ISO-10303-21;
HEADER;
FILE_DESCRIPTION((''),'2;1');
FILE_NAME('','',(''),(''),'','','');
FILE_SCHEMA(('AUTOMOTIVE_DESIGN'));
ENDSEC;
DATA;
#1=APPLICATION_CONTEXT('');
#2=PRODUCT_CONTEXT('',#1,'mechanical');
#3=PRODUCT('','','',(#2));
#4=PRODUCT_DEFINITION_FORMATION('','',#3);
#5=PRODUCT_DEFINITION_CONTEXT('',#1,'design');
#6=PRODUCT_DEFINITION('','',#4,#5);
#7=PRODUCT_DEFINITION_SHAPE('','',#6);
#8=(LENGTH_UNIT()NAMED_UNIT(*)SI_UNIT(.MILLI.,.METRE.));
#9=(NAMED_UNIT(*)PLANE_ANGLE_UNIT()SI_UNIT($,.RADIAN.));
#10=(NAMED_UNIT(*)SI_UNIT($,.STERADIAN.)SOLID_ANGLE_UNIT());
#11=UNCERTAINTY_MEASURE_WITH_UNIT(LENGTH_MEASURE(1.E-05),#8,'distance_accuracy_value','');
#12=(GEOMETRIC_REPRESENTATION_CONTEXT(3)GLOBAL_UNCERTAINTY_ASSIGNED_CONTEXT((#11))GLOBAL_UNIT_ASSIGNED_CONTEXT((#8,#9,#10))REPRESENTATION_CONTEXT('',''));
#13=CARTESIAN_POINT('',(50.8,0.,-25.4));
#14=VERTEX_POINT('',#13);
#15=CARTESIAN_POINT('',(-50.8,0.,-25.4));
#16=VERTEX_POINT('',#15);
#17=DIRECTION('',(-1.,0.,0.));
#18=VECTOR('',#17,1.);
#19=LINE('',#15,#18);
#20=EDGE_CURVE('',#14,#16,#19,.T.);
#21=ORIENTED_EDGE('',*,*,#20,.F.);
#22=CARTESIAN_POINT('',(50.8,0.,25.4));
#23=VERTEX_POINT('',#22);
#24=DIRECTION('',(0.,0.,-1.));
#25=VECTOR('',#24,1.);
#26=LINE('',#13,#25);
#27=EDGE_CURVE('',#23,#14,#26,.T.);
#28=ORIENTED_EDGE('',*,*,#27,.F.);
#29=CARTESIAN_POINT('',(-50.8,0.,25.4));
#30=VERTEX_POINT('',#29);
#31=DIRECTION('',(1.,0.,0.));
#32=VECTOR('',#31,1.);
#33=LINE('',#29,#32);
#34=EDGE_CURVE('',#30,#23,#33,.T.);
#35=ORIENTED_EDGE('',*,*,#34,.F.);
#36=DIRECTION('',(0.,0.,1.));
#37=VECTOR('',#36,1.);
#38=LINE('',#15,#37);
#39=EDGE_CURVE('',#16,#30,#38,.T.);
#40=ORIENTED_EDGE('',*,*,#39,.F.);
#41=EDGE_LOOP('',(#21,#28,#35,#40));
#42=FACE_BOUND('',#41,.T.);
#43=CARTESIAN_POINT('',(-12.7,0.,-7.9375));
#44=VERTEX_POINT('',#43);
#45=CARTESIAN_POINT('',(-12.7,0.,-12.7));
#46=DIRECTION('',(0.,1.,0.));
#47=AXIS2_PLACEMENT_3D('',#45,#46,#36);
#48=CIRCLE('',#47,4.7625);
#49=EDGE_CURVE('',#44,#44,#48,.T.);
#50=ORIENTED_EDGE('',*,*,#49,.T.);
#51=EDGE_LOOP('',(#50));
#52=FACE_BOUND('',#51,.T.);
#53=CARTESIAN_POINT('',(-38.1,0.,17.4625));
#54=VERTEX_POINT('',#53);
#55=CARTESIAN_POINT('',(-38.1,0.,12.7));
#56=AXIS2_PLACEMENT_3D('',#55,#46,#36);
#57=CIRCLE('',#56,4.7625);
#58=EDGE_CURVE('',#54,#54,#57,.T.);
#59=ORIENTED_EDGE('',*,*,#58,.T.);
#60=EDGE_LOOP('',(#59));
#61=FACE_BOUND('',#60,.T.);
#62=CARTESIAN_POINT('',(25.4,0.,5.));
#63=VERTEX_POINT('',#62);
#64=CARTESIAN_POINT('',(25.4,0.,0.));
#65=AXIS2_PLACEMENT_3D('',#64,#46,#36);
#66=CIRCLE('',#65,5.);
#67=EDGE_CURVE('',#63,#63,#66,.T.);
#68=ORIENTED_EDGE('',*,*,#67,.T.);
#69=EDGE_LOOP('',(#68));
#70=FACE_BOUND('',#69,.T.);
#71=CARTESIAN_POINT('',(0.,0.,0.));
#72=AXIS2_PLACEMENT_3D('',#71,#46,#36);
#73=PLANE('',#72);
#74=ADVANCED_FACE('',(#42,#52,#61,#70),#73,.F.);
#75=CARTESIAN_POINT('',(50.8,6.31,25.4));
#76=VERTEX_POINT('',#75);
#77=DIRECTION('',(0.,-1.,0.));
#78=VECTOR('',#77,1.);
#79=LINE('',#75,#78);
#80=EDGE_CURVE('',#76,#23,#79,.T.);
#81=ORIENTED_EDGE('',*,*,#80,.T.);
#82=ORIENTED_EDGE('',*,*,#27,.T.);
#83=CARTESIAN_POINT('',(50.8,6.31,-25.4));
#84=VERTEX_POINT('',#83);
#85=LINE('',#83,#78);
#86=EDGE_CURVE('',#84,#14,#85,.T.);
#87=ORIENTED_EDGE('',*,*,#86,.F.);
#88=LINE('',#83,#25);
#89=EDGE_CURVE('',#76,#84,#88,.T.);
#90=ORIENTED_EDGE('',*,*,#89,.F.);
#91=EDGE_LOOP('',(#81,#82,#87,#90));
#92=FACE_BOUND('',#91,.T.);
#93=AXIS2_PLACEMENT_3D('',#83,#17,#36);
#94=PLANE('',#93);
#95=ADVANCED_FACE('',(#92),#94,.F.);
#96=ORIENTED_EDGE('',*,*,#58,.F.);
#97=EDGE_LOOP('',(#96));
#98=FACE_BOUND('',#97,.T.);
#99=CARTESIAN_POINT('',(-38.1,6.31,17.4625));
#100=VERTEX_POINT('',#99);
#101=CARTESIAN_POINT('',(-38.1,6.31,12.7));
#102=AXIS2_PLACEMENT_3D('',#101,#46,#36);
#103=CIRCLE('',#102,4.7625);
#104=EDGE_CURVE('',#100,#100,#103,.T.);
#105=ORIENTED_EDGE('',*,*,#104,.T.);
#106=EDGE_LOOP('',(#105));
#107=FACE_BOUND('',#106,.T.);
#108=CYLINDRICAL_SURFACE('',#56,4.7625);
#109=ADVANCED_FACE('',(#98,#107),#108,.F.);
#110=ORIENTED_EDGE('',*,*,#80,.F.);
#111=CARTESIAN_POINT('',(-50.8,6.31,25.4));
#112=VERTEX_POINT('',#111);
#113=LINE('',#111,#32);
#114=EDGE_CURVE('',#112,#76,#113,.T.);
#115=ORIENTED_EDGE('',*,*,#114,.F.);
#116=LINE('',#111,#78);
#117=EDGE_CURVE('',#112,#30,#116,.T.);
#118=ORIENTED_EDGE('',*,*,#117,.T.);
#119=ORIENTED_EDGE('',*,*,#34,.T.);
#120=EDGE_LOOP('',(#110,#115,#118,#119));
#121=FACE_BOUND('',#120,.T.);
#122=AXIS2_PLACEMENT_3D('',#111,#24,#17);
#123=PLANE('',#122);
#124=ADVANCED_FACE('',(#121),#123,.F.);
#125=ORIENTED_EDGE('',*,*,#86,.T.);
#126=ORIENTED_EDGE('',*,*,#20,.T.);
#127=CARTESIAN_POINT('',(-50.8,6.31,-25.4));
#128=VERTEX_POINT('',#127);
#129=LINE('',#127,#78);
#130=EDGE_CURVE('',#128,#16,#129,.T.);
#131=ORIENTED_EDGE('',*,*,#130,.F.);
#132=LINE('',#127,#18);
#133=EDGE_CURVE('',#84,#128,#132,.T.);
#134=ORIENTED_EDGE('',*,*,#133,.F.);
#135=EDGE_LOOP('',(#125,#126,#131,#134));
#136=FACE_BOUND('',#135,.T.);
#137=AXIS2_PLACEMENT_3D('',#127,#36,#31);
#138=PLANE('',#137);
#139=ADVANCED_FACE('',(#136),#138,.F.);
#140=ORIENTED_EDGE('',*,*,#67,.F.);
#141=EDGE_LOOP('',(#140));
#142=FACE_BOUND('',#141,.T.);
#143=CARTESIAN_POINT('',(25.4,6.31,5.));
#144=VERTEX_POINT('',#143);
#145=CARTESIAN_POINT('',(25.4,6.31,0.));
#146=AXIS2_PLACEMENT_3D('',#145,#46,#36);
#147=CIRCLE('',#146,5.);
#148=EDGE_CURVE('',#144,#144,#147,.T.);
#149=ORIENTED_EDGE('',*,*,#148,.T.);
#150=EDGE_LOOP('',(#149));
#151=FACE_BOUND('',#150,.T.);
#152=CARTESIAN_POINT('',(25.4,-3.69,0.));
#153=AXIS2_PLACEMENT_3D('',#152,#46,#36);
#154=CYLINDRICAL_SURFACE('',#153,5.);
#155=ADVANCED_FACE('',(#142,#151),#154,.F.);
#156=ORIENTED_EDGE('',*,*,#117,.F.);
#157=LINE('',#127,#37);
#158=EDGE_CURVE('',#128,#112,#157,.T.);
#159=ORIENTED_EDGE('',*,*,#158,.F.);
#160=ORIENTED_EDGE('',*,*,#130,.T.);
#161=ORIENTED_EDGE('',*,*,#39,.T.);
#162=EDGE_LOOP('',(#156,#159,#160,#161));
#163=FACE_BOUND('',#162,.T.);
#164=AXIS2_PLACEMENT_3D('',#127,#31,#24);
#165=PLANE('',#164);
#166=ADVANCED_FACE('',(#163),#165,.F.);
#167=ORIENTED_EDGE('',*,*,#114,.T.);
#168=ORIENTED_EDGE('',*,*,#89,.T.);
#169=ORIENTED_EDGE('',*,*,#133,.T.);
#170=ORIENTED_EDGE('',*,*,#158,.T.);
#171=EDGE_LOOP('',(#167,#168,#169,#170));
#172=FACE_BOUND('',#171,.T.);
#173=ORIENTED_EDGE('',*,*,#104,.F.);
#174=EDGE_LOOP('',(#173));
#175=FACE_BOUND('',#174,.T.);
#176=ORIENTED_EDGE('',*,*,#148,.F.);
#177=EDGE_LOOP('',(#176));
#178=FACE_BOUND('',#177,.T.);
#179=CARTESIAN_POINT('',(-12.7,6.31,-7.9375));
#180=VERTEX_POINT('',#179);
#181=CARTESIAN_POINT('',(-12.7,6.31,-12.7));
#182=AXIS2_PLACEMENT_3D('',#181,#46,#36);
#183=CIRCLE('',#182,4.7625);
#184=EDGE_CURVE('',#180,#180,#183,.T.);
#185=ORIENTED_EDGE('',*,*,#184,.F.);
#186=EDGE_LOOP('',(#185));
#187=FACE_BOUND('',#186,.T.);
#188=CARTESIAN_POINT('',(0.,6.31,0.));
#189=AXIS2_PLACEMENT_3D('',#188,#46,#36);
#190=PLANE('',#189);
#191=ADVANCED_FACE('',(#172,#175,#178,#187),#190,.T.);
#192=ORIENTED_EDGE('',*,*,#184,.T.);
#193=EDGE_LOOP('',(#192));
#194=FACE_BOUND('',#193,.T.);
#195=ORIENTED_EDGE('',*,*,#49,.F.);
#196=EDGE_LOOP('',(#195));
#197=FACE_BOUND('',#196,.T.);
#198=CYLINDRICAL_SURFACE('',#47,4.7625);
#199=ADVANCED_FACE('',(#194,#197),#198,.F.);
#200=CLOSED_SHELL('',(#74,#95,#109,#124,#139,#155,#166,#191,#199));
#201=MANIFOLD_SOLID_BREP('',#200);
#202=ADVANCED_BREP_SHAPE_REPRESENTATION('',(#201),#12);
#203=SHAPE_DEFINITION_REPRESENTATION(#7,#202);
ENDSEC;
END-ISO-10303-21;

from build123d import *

# Parameters (mm, degrees)
CROQUIS1_W              = 101.6
CROQUIS1_H              = 50.8
SALIENTE_EXTRUIR1_DEPTH = 6.31
CROQUIS2_R              = 4.7625
CORTAR_EXTRUIR1_DEPTH   = 6.31
CROQUIS3_R              = 5
CORTAR_EXTRUIR2_DEPTH   = 10


with BuildPart() as part:
    # Croquis1 → Saliente-Extruir1 (new body)
    with BuildSketch(Plane(origin=(0, 0, 0), x_dir=(1, 0, 0), z_dir=(0, 1, 0))):
        Rectangle(CROQUIS1_W, CROQUIS1_H)
    extrude(amount=SALIENTE_EXTRUIR1_DEPTH)

    # Croquis2 → Cortar-Extruir1 (cut)
    with BuildSketch(Plane(origin=(0, 6.31, 0), x_dir=(1, 0, 0), z_dir=(0, 1, 0))):
        with Locations(Location((-38.1, -12.7, 0), (0, 0, 270))):
            Circle(CROQUIS2_R)
        with Locations(Location((-12.7, 12.7, 0), (0, 0, 270))):
            Circle(CROQUIS2_R)
    extrude(amount=-CORTAR_EXTRUIR1_DEPTH, mode=Mode.SUBTRACT)

    # Croquis3 → Cortar-Extruir2 (cut)
    with BuildSketch(Plane(origin=(0, 6.31, 0), x_dir=(1, 0, 0), z_dir=(0, 1, 0))):
        with Locations(Location((25.4, 0, 0), (0, 0, 270))):
            Circle(CROQUIS3_R)
    extrude(amount=-CORTAR_EXTRUIR2_DEPTH, mode=Mode.SUBTRACT)


solid = part.part
